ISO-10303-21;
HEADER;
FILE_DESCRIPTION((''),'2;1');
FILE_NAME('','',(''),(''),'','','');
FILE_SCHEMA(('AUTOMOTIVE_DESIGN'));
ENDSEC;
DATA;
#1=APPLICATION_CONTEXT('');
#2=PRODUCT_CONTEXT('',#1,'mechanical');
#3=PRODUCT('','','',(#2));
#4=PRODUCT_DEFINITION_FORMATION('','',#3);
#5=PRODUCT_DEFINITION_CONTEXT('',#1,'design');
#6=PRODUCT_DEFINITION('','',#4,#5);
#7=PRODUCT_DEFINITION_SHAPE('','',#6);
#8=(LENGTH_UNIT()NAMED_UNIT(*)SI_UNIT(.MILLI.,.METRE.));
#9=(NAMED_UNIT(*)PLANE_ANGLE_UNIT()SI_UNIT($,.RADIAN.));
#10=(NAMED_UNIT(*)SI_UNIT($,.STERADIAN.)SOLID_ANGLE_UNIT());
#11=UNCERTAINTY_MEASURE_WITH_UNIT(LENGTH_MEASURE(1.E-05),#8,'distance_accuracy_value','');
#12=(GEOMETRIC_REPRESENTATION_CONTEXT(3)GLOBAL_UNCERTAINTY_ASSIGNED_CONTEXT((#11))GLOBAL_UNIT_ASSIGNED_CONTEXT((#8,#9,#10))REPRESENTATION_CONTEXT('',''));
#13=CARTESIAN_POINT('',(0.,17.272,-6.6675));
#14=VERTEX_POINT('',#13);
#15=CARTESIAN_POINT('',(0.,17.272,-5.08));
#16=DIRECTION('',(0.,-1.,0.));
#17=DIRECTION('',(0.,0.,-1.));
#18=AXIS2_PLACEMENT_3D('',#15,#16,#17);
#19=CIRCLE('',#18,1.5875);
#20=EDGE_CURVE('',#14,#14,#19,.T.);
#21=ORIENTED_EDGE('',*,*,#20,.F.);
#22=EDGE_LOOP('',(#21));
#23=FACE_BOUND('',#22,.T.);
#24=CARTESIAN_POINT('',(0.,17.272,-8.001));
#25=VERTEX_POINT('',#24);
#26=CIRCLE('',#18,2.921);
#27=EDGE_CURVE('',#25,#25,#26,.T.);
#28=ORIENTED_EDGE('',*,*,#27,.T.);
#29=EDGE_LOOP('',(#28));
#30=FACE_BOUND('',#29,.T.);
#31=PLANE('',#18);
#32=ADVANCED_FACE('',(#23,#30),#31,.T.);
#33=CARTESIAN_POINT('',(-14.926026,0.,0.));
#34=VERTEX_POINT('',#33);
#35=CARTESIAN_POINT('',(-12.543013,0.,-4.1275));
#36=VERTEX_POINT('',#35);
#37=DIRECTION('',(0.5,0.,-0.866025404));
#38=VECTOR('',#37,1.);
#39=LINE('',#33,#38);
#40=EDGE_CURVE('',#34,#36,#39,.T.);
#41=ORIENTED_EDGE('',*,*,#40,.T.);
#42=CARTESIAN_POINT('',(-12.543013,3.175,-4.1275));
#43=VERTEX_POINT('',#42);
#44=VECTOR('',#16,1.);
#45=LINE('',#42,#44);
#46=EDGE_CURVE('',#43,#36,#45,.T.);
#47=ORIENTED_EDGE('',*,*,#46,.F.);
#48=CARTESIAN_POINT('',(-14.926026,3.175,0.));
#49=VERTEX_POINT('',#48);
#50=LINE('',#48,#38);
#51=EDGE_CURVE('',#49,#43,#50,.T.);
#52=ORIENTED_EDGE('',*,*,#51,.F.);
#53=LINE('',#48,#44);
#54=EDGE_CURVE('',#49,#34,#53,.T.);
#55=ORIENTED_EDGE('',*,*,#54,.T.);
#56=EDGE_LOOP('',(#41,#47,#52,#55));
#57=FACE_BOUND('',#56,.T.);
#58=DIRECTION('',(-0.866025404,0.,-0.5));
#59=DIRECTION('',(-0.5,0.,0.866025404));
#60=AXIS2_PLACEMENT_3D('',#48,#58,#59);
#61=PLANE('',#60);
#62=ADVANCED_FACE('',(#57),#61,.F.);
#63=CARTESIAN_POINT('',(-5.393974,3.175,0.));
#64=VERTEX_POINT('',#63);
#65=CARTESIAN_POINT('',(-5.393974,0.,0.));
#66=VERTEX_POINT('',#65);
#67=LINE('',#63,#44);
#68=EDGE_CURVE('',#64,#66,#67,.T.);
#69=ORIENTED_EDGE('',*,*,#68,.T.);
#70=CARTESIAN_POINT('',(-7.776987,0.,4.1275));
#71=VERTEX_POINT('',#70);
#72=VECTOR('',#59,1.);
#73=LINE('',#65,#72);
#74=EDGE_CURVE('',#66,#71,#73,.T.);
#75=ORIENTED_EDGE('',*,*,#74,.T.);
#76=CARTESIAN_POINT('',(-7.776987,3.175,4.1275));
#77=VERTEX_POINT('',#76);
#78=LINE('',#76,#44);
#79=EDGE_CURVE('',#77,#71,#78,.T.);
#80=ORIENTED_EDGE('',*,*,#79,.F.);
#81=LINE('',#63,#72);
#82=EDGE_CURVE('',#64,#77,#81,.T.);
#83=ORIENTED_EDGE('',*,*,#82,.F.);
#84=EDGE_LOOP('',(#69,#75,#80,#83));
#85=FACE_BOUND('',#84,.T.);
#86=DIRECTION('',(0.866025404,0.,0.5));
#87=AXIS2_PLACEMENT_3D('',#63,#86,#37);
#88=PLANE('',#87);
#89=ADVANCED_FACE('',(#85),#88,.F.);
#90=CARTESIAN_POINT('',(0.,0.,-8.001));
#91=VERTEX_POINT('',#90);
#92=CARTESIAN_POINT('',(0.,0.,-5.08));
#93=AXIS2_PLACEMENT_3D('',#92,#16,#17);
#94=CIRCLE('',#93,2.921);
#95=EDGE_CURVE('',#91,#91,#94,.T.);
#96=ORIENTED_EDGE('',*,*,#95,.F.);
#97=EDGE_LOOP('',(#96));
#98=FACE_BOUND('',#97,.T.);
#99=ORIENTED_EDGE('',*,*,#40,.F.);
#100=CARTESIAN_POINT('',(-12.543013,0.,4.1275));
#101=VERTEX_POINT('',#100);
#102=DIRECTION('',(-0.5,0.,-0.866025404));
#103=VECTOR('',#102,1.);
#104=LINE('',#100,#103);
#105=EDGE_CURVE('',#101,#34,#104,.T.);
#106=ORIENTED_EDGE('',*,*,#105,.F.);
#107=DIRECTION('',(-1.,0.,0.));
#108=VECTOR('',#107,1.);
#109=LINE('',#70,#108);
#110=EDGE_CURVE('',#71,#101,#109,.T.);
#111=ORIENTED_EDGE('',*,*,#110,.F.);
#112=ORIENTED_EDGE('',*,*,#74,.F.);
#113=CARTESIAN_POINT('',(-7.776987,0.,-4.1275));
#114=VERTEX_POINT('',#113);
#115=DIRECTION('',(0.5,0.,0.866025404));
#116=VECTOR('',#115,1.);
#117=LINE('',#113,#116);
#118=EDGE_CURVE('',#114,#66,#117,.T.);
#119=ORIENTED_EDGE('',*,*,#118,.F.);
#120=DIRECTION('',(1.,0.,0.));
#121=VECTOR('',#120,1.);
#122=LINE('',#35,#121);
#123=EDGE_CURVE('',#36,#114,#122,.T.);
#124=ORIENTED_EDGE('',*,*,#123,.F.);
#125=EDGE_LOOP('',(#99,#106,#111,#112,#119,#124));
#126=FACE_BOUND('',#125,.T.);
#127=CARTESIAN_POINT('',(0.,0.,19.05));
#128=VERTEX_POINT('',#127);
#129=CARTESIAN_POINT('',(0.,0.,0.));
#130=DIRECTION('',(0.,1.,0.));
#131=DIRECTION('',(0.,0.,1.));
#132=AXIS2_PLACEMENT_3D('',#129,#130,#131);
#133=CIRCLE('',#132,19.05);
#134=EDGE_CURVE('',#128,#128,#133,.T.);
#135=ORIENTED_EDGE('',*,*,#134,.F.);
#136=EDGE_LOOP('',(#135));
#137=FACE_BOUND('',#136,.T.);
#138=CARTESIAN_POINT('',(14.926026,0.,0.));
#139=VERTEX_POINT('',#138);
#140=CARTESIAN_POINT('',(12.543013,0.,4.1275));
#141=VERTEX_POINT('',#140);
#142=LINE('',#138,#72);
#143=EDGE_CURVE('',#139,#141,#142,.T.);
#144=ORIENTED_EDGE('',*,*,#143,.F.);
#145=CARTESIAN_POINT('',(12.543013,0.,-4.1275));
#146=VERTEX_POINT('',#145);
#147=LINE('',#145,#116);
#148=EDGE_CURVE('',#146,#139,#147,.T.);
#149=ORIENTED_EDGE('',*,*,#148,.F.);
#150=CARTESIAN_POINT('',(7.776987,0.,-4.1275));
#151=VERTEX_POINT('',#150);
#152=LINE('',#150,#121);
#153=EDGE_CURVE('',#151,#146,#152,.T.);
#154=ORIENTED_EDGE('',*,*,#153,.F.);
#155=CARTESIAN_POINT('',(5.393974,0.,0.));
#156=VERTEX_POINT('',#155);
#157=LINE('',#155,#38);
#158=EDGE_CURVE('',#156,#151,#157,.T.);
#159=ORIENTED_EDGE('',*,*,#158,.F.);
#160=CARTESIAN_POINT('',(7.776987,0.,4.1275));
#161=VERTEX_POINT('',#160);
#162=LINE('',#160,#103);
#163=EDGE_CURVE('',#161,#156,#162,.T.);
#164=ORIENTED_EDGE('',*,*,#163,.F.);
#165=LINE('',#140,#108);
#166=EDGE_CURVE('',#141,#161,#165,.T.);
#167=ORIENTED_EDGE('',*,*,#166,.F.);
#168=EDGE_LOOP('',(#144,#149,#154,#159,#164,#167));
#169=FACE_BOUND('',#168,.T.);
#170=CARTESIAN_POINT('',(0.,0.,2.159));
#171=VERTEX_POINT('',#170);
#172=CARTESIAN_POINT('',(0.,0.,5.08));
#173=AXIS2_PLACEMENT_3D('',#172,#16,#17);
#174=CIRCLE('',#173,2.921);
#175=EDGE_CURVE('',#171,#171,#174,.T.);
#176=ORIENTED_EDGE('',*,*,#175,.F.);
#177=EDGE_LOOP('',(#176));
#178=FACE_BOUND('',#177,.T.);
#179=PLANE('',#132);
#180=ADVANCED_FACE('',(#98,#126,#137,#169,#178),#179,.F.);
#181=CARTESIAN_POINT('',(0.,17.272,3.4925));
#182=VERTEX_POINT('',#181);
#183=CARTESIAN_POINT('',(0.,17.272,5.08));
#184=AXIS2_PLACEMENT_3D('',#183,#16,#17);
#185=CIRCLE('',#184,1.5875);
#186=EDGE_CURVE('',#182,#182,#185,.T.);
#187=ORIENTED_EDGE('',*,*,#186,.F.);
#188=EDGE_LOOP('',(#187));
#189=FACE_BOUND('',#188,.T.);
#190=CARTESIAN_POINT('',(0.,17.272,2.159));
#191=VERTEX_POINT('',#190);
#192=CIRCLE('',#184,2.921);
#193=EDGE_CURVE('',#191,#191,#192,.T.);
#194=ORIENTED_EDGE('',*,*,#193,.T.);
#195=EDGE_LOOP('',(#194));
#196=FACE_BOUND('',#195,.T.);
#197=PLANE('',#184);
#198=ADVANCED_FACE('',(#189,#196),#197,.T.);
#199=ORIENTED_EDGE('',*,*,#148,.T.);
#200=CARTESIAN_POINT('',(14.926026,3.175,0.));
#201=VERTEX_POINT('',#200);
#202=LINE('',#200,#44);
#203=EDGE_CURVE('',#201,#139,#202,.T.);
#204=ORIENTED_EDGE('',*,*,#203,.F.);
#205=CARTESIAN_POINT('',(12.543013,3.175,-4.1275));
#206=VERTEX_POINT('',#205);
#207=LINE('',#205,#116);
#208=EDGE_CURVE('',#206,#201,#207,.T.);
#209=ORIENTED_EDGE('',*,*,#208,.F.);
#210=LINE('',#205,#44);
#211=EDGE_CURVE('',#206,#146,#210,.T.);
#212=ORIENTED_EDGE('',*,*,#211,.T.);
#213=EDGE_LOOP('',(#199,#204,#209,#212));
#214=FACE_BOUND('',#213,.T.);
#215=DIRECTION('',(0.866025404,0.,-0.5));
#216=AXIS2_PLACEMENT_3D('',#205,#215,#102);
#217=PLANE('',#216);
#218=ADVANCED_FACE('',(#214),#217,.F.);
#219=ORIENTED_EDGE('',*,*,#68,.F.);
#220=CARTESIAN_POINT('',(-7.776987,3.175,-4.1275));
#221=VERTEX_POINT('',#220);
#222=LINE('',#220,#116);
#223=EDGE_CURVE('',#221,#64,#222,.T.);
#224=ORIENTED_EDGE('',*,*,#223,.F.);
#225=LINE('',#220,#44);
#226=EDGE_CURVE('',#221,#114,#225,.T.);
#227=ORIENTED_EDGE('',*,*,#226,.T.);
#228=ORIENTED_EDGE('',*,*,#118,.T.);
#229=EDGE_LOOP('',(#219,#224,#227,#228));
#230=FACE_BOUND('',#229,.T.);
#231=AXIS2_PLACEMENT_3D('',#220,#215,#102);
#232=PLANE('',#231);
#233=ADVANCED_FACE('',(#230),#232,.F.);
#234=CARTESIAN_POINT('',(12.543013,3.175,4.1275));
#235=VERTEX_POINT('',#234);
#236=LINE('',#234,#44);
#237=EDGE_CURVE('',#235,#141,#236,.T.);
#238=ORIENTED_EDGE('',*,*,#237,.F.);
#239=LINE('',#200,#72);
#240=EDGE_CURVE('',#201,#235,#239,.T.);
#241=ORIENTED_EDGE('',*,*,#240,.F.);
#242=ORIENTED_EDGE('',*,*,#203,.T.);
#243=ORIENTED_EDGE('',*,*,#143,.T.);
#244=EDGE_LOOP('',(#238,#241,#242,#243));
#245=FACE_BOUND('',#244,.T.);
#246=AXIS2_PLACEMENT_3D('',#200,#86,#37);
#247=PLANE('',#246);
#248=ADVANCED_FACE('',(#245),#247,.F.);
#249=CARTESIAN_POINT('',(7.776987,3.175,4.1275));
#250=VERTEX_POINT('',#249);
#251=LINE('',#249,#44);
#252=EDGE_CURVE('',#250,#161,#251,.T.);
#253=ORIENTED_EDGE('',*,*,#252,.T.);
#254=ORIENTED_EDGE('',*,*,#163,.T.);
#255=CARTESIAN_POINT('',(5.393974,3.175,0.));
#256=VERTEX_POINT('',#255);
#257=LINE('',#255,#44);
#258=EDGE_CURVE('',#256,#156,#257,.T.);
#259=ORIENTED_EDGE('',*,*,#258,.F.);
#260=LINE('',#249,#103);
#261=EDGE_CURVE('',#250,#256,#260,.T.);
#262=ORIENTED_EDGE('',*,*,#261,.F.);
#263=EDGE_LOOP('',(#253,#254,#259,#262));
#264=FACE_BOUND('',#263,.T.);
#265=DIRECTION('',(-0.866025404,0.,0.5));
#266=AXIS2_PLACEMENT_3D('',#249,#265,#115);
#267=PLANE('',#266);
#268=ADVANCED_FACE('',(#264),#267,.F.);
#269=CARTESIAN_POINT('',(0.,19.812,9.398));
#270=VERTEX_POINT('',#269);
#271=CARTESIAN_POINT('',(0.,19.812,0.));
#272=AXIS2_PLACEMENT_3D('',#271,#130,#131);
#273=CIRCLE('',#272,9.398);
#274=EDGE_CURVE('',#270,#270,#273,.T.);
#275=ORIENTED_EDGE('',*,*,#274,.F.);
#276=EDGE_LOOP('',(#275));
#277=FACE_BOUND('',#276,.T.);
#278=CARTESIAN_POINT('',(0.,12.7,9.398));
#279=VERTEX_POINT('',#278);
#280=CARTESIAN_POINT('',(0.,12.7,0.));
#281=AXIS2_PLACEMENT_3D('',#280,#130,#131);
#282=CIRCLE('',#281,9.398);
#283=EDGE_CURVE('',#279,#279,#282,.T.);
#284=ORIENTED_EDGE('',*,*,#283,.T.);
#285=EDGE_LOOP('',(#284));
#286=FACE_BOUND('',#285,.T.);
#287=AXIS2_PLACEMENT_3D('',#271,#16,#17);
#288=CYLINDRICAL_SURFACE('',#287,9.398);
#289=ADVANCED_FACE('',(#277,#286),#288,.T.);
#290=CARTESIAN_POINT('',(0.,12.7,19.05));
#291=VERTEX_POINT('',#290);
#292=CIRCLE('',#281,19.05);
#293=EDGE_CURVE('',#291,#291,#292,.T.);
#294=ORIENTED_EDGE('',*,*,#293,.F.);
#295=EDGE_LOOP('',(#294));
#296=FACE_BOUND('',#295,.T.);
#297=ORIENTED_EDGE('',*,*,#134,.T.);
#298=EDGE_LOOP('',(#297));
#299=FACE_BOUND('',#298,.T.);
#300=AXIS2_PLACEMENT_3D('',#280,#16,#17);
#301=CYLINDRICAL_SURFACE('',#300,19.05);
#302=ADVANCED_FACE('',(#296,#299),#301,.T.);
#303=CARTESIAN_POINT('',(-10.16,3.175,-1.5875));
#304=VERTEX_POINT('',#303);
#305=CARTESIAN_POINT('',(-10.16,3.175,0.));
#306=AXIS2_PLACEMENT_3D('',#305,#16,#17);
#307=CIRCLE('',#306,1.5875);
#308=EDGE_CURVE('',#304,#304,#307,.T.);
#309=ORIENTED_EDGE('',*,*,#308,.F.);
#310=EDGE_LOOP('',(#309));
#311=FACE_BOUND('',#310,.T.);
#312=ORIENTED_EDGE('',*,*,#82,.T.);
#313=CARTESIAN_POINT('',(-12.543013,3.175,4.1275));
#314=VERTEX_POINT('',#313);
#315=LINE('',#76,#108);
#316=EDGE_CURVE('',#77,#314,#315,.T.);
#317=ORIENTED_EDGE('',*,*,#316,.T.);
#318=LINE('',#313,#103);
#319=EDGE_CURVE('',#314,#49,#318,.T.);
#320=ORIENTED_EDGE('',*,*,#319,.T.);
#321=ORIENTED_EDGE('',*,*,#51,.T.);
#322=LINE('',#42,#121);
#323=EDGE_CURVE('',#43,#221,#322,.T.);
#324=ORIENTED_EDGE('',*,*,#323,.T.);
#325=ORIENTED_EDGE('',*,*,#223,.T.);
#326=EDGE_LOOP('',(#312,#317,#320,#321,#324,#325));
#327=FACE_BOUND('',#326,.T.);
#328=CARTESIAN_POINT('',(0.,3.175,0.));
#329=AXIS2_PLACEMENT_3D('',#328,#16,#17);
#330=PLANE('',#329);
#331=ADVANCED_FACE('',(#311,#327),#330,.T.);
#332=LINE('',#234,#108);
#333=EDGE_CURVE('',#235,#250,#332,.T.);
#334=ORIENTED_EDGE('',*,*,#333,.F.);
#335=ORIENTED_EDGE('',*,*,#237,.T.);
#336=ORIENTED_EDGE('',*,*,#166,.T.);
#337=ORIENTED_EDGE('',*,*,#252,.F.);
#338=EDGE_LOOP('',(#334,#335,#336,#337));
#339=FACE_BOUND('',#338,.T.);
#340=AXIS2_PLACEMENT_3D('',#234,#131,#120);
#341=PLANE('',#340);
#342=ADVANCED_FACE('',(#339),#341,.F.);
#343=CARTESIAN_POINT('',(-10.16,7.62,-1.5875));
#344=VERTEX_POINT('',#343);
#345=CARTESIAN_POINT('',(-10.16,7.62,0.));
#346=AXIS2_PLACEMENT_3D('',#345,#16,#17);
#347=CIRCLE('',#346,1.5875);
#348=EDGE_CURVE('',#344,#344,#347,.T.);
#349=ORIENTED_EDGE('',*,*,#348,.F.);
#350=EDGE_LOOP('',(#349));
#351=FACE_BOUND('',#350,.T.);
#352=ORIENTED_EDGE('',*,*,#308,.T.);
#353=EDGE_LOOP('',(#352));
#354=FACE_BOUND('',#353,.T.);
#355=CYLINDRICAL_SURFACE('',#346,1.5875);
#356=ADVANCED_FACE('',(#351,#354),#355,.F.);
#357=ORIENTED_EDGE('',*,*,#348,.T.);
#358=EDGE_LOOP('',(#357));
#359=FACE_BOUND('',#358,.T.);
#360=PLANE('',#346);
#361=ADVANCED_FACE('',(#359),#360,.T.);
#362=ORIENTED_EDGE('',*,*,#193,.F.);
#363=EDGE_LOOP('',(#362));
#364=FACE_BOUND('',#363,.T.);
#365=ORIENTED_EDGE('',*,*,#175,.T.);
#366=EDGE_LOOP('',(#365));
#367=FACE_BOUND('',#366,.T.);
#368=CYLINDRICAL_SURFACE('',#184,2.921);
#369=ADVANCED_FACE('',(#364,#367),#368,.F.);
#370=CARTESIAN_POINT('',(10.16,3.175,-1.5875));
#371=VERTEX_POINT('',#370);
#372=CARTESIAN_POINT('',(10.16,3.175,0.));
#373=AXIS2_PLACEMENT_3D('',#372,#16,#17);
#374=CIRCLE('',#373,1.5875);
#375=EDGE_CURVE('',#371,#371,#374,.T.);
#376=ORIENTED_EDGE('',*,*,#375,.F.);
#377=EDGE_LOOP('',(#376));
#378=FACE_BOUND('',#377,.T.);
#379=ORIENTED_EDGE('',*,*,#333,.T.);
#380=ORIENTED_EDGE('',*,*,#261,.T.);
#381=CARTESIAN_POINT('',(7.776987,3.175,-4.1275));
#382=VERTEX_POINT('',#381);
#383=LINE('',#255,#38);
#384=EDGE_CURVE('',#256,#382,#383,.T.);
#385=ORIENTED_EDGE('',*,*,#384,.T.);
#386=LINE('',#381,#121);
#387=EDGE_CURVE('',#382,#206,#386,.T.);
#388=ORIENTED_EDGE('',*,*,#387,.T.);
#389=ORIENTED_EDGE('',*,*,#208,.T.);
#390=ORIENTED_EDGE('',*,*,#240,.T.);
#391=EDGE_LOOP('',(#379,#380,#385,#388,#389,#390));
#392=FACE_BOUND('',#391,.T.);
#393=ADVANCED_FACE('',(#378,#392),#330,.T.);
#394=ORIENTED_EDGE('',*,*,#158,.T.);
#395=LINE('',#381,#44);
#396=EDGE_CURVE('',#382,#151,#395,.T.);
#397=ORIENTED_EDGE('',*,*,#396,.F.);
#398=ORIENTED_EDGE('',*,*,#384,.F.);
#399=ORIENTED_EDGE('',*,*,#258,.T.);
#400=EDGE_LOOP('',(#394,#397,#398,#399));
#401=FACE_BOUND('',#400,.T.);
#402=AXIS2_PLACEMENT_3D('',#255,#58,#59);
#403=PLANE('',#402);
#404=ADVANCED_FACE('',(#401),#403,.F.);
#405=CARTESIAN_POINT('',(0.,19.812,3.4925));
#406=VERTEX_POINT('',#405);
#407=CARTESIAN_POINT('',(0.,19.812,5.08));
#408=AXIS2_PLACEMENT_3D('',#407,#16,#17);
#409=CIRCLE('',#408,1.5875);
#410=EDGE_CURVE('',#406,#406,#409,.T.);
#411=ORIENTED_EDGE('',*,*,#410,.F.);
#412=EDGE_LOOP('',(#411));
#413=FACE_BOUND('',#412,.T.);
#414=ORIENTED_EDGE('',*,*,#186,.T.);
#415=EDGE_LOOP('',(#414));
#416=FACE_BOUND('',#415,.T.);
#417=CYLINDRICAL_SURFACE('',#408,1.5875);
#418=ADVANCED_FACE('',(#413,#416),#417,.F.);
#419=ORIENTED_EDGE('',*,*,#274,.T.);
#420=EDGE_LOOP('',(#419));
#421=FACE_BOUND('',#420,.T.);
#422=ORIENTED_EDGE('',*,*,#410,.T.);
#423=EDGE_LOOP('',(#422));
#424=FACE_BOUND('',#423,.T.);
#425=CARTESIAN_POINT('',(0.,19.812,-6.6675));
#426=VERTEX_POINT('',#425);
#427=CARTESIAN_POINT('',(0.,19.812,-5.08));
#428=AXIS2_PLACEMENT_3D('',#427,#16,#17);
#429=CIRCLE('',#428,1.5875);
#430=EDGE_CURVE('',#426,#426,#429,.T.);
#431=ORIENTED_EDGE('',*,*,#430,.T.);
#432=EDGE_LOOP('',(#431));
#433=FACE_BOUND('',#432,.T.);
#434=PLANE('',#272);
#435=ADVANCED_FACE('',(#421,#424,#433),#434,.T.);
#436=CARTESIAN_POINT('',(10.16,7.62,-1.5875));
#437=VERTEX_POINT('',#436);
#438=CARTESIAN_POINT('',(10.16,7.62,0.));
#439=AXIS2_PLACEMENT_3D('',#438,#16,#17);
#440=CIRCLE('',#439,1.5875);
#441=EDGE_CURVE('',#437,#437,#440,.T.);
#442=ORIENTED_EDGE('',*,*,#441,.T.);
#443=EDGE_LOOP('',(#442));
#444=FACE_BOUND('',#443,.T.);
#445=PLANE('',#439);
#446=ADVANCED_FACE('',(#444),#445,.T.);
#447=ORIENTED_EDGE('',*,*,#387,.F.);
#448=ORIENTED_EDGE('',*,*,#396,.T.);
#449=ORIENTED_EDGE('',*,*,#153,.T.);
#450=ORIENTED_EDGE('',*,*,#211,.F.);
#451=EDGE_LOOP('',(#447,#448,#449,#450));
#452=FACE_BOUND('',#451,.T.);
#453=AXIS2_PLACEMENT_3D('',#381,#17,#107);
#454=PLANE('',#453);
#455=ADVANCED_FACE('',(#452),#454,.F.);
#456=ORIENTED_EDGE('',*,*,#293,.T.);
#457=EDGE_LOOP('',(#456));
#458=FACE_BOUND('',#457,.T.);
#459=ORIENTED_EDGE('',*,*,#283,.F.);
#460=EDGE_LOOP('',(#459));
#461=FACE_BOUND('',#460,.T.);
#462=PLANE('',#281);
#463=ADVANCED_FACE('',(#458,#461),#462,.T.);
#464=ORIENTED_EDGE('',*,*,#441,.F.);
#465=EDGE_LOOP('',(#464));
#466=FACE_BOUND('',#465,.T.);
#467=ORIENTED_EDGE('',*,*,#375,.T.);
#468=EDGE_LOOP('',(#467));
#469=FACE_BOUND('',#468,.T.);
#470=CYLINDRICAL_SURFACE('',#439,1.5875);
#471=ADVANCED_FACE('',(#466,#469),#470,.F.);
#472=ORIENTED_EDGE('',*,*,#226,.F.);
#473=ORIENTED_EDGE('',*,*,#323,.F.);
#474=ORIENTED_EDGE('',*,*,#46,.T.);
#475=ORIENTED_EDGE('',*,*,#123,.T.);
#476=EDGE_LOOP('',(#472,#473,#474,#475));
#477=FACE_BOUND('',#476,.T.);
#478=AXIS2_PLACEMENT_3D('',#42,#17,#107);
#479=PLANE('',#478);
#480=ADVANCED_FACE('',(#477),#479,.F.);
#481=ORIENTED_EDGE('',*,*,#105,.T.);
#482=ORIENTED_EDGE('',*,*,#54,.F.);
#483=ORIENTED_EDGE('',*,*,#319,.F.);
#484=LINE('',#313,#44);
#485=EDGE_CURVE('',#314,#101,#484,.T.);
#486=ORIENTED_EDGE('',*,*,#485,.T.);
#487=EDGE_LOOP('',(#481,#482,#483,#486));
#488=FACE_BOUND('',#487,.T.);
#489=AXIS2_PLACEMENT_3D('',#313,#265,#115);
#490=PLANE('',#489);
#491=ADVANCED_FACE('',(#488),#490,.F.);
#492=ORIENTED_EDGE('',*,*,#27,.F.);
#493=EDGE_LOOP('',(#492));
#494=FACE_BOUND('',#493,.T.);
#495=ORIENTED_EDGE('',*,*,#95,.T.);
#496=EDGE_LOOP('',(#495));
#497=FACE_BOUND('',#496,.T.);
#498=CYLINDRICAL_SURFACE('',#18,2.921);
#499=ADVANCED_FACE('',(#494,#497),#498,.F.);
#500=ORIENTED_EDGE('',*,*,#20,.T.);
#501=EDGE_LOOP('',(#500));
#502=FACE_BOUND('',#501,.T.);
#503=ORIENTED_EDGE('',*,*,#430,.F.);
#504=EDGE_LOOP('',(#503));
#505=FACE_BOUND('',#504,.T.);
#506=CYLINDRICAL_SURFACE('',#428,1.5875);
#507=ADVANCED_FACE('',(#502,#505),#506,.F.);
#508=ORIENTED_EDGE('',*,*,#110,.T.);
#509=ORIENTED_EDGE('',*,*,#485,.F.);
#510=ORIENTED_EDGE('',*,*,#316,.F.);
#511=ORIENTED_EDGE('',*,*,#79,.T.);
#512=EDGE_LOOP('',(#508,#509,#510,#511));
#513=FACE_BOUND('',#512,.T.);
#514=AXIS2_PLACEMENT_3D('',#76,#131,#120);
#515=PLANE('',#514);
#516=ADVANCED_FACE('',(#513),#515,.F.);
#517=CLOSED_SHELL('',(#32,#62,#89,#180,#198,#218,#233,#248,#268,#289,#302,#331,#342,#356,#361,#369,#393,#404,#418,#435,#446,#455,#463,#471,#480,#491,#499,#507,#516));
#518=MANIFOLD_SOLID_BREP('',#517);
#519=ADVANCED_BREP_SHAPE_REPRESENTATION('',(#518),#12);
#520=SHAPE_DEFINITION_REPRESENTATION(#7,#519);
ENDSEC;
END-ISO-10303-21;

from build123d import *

# Parameters (mm, degrees)
SKETCH1_R           = 19.05
BOSS_EXTRUDE1_DEPTH = 12.7
SKETCH2_R           = 9.398
BOSS_EXTRUDE2_DEPTH = 7.112
CUT_EXTRUDE3_DEPTH  = 3.175
SKETCH6_R           = 1.5875
CUT_EXTRUDE4_DEPTH  = 7.62
SKETCH7_R           = 2.921
CUT_EXTRUDE5_DEPTH  = 17.272
SKETCH8_R           = 1.5875
CUT_EXTRUDE6_DEPTH  = 3.54


with BuildPart() as part:
    # Sketch1 → Boss-Extrude1 (new body)
    with BuildSketch(Plane(origin=(0, 0, 0), x_dir=(1, 0, 0), z_dir=(0, 1, 0))):
        Circle(SKETCH1_R)
    extrude(amount=BOSS_EXTRUDE1_DEPTH)

    # Sketch2 → Boss-Extrude2 (add)
    with BuildSketch(Plane(origin=(0, 12.7, 0), x_dir=(1, 0, 0), z_dir=(0, 1, 0))):
        Circle(SKETCH2_R)
    extrude(amount=BOSS_EXTRUDE2_DEPTH)

    # Sketch5 → Cut-Extrude3 (cut)
    with BuildSketch(Plane.XZ):
        Polygon((-5.393973528, 0), (-7.776986764, 4.1275), (-12.543013236, 4.1275), (-14.926026472, 0), (-12.543013236, -4.1275), (-7.776986764, -4.1275), align=None)
        Polygon((14.926026472, 0), (12.543013236, 4.1275), (7.776986764, 4.1275), (5.393973528, 0), (7.776986764, -4.1275), (12.543013236, -4.1275), align=None)
    extrude(amount=-CUT_EXTRUDE3_DEPTH, mode=Mode.SUBTRACT)

    # Sketch6 → Cut-Extrude4 (cut)
    with BuildSketch(Plane.XZ):
        with Locations((-10.16, 0)):
            Circle(SKETCH6_R)
        with Locations((10.16, 0)):
            Circle(SKETCH6_R)
    extrude(amount=-CUT_EXTRUDE4_DEPTH, mode=Mode.SUBTRACT)

    # Sketch7 → Cut-Extrude5 (cut)
    with BuildSketch(Plane.XZ):
        with Locations((0, 5.08)):
            Circle(SKETCH7_R)
        with Locations((0, -5.08)):
            Circle(SKETCH7_R)
    extrude(amount=-CUT_EXTRUDE5_DEPTH, mode=Mode.SUBTRACT)

    # Sketch8 → Cut-Extrude6 (cut, through all)
    with BuildSketch(Plane.XZ.offset(-17.272)):
        with Locations((0, 5.08)):
            Circle(SKETCH8_R)
        with Locations((0, -5.08)):
            Circle(SKETCH8_R)
    extrude(amount=-CUT_EXTRUDE6_DEPTH, mode=Mode.SUBTRACT)


solid = part.part
